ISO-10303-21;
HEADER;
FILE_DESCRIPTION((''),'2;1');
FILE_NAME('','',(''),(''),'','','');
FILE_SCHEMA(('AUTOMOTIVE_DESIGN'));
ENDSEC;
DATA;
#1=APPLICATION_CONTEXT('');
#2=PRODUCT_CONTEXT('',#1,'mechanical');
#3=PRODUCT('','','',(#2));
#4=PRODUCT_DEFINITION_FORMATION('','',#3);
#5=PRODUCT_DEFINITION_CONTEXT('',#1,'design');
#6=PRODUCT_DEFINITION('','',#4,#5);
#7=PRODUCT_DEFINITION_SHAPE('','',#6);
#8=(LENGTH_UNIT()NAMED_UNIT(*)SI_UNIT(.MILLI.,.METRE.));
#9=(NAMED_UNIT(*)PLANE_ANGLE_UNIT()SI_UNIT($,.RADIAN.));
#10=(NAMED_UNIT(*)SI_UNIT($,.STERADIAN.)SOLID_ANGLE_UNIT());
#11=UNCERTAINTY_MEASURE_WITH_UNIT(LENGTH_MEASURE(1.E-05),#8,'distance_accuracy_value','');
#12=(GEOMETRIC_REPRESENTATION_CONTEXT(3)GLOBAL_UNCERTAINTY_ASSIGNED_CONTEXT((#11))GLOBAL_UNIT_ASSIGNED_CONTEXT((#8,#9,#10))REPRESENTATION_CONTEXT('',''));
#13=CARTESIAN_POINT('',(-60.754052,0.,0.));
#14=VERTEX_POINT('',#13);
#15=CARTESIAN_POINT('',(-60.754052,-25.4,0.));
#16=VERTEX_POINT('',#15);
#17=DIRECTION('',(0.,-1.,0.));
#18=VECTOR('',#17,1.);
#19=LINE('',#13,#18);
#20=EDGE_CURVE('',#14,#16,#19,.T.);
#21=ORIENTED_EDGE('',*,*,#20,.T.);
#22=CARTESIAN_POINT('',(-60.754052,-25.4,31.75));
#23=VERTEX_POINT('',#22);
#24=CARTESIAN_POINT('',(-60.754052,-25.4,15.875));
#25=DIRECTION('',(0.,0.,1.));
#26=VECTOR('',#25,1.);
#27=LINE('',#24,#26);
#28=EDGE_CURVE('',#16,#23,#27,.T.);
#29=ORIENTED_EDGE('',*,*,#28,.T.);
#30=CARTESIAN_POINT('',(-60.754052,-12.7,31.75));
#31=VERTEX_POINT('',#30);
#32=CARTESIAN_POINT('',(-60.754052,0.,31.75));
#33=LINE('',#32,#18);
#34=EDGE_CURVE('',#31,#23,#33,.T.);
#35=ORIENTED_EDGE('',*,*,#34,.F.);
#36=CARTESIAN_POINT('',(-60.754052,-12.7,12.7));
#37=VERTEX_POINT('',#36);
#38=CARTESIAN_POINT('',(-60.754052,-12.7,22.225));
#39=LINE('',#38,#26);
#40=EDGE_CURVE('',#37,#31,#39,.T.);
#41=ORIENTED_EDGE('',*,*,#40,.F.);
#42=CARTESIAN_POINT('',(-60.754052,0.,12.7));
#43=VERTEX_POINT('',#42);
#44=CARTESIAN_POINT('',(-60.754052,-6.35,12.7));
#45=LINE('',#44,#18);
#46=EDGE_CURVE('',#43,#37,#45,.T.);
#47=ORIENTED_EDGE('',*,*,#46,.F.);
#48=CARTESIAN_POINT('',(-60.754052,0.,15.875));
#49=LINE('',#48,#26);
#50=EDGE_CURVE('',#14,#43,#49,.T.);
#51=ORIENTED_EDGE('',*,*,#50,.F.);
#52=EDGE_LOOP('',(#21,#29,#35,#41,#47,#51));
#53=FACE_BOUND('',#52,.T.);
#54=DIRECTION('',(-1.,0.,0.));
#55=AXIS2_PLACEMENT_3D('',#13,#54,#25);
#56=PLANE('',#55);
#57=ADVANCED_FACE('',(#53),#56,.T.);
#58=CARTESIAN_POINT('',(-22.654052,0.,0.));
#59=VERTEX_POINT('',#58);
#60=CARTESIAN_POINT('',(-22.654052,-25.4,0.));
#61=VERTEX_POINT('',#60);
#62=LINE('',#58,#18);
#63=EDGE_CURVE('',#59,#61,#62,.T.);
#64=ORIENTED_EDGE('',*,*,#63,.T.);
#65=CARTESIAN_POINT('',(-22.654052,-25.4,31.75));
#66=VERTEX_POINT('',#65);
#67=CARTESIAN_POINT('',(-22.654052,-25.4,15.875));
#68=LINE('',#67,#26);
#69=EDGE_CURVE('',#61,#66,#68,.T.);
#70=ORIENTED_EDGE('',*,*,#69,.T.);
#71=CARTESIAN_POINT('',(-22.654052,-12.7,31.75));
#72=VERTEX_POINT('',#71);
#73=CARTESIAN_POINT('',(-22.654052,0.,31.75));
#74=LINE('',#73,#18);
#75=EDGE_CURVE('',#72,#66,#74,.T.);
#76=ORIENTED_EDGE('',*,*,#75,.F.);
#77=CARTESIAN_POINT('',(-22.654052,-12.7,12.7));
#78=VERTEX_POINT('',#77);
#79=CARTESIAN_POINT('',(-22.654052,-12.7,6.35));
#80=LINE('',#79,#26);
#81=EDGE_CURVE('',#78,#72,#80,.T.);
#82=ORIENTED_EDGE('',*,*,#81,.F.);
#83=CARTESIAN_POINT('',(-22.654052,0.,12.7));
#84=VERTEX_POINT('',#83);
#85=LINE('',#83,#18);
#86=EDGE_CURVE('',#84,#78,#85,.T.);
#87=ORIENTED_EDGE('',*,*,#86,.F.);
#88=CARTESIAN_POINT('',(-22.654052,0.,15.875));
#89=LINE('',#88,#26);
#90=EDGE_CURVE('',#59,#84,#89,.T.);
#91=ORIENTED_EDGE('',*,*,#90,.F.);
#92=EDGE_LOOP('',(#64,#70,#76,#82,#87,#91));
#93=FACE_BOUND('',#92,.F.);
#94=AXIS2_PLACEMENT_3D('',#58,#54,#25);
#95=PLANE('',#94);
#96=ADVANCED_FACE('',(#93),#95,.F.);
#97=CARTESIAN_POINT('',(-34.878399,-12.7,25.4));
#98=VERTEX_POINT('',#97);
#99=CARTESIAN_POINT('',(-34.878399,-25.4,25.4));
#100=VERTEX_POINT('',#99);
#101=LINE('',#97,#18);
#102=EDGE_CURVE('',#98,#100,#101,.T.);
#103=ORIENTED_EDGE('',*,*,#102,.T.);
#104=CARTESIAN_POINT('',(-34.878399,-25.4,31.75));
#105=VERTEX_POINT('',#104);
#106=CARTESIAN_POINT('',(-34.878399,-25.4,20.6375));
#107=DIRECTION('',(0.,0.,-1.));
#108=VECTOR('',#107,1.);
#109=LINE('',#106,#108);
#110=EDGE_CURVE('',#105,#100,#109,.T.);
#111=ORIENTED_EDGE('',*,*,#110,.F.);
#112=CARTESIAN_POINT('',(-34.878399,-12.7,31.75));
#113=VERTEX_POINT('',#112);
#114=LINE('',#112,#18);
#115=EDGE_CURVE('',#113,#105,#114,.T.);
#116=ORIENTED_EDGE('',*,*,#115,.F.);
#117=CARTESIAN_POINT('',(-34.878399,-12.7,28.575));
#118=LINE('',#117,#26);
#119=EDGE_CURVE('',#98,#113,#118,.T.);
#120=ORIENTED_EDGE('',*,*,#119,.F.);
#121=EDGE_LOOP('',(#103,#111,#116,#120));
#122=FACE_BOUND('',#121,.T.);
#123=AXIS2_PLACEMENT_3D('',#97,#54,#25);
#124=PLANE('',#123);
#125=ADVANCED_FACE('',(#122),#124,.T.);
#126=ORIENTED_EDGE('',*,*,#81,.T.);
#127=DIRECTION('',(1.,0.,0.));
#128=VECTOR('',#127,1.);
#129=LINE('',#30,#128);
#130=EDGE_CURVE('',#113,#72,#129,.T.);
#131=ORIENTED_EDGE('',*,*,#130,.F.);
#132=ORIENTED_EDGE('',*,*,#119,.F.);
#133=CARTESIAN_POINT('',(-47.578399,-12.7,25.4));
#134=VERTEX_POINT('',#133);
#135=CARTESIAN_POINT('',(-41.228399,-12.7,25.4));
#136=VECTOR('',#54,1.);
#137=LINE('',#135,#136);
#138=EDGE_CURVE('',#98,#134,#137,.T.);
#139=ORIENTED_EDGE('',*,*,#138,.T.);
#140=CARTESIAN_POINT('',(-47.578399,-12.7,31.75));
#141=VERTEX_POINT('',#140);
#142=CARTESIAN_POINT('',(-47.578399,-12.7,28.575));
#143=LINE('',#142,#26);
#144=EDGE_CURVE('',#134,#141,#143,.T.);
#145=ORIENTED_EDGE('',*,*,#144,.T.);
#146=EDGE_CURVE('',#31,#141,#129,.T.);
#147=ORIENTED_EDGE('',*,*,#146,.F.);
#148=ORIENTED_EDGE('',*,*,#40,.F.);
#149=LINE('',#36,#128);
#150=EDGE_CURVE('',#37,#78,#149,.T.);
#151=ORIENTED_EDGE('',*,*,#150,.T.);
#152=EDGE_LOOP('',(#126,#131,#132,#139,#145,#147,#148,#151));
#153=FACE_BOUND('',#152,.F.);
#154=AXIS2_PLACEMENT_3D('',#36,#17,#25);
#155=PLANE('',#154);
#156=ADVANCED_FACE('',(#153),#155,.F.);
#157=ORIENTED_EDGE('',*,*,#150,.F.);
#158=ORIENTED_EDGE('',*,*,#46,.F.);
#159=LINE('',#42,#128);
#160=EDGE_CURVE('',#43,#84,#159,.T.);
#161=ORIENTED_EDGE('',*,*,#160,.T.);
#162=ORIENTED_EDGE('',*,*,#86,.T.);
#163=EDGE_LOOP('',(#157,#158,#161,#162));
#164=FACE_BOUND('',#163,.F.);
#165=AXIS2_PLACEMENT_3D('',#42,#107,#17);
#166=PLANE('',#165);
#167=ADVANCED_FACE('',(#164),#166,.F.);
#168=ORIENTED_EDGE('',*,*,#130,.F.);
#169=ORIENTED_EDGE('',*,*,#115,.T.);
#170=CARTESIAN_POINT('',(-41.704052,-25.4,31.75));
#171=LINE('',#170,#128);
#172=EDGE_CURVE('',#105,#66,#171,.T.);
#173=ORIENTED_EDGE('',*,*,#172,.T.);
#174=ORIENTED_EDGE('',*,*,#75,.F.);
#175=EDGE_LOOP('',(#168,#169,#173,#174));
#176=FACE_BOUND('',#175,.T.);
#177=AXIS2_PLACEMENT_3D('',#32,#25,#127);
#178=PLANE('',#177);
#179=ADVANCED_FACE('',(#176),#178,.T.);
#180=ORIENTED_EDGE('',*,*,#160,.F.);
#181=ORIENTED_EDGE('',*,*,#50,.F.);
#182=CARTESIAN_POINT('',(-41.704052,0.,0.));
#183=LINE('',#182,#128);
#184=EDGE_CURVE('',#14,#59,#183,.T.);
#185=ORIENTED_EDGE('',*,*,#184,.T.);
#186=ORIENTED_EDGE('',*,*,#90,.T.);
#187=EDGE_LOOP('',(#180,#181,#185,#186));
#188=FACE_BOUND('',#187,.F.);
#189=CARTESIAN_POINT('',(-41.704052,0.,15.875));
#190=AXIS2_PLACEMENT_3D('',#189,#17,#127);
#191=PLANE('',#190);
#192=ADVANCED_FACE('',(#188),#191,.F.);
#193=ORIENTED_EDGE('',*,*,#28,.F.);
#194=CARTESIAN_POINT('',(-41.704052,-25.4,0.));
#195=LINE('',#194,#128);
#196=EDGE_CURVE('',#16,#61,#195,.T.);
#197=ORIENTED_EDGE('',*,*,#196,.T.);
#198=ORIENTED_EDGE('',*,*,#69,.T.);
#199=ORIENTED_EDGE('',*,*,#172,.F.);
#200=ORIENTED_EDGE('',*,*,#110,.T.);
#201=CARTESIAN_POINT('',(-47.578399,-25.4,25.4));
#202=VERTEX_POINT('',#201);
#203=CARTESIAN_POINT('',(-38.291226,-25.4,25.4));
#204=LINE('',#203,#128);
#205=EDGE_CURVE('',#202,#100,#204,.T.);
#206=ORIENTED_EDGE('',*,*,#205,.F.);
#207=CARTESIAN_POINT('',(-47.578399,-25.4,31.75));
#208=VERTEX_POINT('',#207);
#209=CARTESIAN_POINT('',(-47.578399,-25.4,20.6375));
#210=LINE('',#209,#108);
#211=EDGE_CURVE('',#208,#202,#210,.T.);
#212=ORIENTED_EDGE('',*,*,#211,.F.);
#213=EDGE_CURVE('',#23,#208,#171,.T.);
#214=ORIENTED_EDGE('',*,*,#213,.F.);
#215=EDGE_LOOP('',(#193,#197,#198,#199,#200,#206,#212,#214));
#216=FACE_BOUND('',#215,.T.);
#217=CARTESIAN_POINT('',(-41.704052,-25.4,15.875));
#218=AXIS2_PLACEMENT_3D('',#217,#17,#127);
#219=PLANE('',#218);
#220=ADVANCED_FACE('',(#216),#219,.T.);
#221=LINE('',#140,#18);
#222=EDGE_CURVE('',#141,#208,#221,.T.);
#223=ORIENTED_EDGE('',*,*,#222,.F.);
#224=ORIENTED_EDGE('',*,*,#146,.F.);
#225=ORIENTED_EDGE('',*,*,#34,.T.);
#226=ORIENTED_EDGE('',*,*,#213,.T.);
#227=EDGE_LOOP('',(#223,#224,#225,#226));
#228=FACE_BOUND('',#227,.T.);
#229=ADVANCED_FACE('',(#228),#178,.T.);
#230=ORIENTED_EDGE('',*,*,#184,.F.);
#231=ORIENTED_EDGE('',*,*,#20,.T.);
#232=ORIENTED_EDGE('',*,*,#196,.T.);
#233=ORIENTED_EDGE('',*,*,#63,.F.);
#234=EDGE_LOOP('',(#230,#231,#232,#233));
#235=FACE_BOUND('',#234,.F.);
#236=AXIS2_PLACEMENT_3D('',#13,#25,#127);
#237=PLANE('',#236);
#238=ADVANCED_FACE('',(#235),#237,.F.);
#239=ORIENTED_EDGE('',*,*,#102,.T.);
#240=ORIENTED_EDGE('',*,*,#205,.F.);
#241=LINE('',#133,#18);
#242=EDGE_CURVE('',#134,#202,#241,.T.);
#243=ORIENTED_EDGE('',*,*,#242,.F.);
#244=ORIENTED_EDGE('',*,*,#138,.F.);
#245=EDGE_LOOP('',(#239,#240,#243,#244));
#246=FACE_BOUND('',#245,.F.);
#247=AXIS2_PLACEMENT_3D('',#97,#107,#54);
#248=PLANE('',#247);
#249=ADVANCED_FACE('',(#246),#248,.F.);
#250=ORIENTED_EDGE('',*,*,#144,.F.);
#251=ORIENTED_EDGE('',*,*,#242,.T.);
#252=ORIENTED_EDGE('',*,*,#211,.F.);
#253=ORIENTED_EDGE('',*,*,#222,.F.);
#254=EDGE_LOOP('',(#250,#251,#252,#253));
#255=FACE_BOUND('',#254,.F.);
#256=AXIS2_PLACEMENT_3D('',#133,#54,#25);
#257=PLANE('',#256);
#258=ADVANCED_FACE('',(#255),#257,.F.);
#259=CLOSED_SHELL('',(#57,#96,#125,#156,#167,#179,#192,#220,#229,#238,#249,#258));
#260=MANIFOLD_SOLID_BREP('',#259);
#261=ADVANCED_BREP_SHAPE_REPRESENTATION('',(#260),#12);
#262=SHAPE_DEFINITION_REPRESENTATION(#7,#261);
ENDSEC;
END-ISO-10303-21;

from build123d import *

# Parameters (mm, degrees)
F0_W     = 38.1
F0_H     = 31.75
F1_DEPTH = 25.4
F2_W     = 12.7
F2_H     = 19.05
F3_DEPTH = 254
F4_W     = 12.7
F4_H     = 6.35
F5_DEPTH = 25.4


with BuildPart() as f1:
    # F0 (on Front) → F1 (new body)
    with BuildSketch(Plane.XZ):
        with Locations((-41.704052, 15.875)):
            Rectangle(F0_W, F0_H)
    extrude(amount=F1_DEPTH)

    # F2 (on face) → F3 (cut)
    with BuildSketch(Plane(origin=(-60.754052, 0, 0), x_dir=(0, -1, 0), z_dir=(-1, 0, 0))):
        with Locations((6.35, 22.225)):
            Rectangle(F2_W, F2_H)
    extrude(amount=-F3_DEPTH, mode=Mode.SUBTRACT)

    # F4 (on face) → F5 (cut)
    with BuildSketch(Plane(origin=(0, -12.7, 0), x_dir=(-1, 0, 0), z_dir=(0, 1, 0))):
        with Locations((41.228399, 28.575)):
            Rectangle(F4_W, F4_H)
    extrude(amount=-F5_DEPTH, mode=Mode.SUBTRACT)


solid = f1.part
